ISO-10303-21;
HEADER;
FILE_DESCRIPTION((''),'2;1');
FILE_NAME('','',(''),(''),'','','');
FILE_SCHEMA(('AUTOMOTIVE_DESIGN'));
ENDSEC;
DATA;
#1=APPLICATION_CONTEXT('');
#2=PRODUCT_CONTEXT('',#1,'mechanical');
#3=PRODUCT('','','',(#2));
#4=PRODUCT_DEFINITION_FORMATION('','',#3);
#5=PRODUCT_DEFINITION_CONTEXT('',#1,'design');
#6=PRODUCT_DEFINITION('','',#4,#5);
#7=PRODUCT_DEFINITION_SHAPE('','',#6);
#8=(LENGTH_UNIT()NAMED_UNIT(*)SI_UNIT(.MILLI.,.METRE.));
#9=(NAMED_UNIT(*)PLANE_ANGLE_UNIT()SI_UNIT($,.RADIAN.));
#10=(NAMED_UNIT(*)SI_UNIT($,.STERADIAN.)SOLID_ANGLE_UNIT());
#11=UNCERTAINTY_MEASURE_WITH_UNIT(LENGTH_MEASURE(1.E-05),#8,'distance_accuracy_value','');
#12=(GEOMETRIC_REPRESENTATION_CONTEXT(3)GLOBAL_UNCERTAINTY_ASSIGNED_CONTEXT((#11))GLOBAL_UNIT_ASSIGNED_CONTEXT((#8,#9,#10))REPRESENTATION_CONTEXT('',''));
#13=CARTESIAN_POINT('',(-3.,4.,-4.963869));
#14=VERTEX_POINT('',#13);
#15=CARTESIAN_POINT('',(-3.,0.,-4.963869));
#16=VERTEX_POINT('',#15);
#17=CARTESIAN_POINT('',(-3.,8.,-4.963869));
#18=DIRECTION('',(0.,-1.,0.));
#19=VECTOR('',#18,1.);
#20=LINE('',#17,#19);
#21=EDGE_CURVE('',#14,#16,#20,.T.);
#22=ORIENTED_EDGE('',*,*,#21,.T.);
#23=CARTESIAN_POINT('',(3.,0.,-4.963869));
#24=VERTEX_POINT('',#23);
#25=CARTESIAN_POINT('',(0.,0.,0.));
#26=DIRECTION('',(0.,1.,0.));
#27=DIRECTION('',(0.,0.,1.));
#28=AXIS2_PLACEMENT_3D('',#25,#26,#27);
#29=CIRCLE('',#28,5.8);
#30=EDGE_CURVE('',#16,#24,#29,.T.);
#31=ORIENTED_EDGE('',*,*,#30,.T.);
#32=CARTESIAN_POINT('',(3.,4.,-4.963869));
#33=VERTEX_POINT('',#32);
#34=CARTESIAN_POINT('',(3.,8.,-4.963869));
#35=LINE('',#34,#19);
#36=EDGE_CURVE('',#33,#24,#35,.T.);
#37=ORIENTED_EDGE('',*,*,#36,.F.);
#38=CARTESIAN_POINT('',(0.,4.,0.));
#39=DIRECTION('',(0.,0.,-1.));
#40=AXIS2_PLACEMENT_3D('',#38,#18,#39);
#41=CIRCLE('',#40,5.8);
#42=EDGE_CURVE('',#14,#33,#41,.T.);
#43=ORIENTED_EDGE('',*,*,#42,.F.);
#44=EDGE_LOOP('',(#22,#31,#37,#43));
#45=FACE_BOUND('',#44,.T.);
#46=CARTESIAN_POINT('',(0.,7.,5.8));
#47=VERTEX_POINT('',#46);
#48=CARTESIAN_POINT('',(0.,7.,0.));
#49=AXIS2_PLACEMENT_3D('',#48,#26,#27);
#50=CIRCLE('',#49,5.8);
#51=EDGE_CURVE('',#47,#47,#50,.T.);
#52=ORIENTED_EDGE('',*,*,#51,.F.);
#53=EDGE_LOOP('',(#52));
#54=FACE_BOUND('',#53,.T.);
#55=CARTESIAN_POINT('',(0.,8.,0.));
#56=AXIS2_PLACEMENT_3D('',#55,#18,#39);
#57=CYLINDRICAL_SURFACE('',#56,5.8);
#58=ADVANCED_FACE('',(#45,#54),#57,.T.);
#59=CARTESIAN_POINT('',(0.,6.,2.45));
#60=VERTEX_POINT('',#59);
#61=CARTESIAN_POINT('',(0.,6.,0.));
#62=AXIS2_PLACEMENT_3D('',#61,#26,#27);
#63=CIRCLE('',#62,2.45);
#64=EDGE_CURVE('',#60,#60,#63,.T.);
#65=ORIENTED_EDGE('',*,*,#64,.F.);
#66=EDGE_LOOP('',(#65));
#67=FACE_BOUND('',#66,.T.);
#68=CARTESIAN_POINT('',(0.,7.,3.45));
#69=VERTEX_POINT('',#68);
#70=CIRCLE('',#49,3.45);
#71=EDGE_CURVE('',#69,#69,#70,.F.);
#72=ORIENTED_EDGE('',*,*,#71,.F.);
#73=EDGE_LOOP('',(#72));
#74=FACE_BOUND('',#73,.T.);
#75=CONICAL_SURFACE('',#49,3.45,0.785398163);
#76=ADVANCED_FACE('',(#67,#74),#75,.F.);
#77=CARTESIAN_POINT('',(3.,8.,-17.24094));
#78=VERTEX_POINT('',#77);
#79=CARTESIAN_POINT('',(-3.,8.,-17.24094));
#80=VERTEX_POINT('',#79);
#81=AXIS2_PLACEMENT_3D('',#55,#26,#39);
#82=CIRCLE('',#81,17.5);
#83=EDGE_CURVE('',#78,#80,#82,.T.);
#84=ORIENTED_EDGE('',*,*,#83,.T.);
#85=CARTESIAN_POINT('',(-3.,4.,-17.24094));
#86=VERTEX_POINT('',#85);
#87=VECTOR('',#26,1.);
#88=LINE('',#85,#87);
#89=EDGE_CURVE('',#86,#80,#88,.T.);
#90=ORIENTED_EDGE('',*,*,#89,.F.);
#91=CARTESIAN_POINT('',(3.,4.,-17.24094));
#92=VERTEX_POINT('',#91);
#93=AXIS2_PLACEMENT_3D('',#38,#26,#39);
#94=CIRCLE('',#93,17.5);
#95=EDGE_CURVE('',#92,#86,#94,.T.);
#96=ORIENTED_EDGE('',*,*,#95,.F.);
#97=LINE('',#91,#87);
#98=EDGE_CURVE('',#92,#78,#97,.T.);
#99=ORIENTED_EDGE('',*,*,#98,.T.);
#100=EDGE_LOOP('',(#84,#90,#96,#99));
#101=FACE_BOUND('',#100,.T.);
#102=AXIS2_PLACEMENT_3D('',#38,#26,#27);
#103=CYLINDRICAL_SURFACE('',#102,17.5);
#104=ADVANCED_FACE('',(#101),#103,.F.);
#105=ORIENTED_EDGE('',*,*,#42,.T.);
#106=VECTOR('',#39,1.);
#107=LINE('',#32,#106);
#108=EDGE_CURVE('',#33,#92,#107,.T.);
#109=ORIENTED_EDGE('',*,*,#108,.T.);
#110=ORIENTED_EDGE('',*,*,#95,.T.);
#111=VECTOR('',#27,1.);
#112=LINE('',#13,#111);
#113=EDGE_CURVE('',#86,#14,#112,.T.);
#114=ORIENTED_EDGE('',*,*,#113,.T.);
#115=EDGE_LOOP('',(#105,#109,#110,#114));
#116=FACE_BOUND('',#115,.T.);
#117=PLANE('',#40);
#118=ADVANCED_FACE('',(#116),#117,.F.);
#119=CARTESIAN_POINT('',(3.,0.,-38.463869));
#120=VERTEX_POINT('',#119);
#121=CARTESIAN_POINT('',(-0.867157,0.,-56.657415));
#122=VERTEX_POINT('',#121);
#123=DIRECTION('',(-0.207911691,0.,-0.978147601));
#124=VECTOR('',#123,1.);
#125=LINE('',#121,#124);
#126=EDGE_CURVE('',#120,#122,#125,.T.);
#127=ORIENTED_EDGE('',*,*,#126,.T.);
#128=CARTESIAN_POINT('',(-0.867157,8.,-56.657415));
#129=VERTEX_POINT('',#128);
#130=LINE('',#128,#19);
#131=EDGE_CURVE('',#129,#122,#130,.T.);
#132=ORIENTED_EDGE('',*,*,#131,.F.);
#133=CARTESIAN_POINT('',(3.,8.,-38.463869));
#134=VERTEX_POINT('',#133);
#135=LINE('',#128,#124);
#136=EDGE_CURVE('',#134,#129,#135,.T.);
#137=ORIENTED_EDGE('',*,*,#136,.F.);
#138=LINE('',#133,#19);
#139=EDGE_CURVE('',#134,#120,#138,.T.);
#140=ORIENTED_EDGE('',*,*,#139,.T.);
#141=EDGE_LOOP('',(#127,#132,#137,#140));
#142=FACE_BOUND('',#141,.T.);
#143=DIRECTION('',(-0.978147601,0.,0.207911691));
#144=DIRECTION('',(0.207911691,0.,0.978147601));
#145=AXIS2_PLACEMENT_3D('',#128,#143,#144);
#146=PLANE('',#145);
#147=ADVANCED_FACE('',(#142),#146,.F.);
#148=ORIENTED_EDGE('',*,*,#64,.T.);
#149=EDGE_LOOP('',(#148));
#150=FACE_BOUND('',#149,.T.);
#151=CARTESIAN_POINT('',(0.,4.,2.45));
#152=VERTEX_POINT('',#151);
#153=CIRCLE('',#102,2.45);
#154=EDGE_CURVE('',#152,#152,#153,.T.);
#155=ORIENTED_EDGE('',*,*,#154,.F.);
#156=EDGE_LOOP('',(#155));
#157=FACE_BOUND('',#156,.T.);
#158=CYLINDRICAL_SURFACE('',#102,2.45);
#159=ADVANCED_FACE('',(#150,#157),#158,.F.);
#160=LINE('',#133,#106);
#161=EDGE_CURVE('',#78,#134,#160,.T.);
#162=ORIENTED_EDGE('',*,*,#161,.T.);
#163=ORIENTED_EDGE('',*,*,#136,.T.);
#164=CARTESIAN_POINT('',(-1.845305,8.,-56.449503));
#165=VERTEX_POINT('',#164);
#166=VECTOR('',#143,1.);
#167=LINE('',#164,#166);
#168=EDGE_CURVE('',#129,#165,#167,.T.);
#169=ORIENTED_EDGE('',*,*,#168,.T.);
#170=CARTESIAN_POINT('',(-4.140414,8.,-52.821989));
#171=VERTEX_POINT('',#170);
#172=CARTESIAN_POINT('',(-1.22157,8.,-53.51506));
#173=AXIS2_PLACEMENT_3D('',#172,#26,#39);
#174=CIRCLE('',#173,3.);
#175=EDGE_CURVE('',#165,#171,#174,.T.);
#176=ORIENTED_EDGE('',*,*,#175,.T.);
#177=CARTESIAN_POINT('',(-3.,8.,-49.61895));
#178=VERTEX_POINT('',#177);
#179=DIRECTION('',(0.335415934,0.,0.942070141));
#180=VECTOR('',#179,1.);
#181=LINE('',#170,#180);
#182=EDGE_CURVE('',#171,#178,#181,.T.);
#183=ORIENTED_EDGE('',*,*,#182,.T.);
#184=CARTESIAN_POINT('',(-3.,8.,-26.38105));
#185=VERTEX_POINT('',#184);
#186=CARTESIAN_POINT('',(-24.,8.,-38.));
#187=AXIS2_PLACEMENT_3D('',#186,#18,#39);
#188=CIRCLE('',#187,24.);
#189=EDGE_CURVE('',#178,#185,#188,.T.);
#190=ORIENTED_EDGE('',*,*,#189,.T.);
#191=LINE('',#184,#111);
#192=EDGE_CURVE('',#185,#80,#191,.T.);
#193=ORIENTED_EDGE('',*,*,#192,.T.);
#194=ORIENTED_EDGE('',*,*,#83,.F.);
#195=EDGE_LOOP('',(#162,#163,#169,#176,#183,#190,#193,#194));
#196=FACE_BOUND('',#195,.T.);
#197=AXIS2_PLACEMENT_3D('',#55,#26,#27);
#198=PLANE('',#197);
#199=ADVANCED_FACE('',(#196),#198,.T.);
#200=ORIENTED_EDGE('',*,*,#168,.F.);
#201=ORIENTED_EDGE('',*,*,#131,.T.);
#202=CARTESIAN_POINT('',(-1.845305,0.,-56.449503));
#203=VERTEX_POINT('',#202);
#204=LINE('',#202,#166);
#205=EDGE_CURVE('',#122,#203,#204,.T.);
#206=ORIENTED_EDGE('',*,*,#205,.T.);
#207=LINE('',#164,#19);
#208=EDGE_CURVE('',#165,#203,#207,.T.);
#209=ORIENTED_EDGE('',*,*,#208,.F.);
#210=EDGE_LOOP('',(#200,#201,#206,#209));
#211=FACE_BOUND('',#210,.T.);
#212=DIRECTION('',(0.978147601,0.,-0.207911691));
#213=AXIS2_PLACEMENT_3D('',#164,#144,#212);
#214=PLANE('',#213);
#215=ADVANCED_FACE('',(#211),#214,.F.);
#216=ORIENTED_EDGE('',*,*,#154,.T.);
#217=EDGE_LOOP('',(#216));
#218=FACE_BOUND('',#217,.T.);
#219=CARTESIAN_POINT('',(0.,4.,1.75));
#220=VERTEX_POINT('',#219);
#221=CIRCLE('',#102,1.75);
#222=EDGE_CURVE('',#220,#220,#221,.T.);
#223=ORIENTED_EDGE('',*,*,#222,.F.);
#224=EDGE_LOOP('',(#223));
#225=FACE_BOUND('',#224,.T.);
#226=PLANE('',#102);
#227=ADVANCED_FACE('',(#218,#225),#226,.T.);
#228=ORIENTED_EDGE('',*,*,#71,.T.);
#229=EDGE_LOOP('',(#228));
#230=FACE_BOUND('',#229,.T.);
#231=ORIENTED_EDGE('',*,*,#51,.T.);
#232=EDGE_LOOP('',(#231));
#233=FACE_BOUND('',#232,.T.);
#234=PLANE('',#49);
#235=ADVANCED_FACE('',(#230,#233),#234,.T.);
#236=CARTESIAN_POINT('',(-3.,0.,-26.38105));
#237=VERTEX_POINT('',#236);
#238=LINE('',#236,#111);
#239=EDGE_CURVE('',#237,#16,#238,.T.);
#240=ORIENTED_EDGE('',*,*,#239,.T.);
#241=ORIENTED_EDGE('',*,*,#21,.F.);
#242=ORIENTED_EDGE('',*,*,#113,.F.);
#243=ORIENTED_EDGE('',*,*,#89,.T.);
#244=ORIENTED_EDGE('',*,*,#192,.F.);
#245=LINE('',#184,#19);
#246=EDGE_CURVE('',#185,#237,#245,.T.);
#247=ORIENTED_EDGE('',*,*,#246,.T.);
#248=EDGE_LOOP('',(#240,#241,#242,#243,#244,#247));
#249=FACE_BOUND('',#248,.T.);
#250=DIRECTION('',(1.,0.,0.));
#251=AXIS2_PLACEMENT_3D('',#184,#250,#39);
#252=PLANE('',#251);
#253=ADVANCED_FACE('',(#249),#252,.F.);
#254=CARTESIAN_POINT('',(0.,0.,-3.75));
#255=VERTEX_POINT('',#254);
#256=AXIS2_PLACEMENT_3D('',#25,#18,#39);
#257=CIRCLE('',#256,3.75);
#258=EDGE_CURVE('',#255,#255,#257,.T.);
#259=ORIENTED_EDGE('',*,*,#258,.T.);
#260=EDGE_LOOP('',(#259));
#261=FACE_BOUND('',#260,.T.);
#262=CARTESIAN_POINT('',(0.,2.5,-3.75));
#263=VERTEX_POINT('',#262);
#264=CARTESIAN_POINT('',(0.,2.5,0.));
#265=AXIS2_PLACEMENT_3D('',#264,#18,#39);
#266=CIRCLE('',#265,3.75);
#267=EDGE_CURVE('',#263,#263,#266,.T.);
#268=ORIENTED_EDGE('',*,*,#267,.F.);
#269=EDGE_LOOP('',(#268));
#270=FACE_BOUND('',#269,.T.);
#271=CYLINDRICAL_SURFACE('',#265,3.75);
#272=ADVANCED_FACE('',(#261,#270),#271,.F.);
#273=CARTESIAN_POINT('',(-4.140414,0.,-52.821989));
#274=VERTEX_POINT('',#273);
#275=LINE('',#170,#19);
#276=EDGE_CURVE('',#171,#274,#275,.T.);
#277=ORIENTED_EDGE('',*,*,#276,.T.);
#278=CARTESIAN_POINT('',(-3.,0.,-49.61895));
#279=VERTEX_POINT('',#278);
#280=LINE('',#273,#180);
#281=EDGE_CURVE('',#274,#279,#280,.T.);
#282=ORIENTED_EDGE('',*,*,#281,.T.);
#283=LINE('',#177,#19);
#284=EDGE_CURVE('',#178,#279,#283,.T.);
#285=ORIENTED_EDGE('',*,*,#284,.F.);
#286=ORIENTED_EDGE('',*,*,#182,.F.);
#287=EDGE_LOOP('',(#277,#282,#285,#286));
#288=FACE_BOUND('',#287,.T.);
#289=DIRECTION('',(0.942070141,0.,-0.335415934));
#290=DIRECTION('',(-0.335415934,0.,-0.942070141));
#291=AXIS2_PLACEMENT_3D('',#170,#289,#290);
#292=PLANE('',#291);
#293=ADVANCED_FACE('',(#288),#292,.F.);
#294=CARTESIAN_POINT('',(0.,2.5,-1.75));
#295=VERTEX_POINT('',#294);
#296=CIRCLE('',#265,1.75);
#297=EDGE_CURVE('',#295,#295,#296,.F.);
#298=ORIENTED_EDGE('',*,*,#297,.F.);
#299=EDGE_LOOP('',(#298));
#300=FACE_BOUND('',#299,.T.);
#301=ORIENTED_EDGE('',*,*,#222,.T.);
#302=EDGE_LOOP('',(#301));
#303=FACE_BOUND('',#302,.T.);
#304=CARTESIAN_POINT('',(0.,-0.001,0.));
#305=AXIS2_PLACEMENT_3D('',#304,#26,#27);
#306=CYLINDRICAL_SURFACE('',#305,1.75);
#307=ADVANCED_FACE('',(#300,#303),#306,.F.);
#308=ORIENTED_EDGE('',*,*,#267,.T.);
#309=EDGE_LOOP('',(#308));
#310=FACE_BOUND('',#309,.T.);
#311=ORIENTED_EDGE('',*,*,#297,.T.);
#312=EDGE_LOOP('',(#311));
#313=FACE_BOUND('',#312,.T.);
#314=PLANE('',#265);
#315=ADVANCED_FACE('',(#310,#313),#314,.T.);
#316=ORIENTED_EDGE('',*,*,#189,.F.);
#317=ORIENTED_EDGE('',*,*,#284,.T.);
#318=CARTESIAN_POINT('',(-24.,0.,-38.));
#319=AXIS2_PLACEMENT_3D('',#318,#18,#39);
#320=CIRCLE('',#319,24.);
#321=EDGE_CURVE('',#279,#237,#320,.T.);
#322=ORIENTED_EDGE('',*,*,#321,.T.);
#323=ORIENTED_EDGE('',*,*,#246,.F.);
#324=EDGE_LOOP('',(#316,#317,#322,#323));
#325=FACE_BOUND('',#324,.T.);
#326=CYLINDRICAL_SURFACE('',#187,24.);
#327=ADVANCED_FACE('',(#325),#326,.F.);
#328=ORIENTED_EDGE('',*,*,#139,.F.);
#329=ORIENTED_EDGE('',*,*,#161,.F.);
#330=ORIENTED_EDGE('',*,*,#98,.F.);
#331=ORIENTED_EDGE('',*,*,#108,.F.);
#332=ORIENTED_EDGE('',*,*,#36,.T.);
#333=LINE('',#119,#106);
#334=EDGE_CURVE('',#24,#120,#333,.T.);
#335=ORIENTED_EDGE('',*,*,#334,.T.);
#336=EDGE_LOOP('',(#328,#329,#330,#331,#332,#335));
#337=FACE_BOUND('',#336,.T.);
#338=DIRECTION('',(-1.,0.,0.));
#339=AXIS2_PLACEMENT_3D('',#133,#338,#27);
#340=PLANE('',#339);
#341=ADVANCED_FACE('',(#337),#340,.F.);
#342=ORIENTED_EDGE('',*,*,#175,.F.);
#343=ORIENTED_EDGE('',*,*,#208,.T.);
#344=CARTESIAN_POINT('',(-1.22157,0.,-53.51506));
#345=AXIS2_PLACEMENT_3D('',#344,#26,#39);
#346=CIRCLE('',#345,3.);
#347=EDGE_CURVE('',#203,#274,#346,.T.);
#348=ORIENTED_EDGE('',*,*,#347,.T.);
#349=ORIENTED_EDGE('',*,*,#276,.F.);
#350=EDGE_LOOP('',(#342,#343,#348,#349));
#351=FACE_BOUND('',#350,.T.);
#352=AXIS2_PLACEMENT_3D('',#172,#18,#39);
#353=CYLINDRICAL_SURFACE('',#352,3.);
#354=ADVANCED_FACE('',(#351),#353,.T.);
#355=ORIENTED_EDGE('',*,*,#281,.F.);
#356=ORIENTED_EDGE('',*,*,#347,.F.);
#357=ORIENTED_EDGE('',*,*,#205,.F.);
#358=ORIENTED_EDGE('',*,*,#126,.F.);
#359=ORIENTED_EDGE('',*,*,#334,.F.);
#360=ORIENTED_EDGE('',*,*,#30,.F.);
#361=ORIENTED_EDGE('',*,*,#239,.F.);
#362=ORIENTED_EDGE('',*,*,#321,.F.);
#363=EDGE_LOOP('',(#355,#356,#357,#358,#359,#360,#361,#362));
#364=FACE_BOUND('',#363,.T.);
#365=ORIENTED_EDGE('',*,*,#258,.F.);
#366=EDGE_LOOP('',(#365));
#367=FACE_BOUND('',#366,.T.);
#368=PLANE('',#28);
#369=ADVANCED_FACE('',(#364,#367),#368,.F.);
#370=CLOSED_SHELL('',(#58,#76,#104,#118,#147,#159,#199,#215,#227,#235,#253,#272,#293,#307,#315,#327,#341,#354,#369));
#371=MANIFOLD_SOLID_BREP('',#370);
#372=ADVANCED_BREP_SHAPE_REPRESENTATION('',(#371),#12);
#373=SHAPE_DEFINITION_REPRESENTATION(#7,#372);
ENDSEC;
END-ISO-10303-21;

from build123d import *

# Parameters (mm, degrees)
BOSS_EXTRU_1_DEPTH      = 8
ESQUISSE2_R             = 2.45
ENL_V_MAT_EXTRU_1_DEPTH = 4
ENL_V_MAT_EXTRU_2_REACH = 59.094
ESQUISSE3_R             = 1.75
ESQUISSE4_R             = 3.75
ENL_V_MAT_EXTRU_3_DEPTH = 2.5
ENL_V_MAT_EXTRU_4_DEPTH = 4
ESQUISSE7_R             = 5.8
ENL_V_MAT_EXTRU_5_DEPTH = 1
CHANFREIN1_SIZE         = 1


with BuildPart() as part:
    # Esquisse1 → Boss.-Extru.1 (new body)
    with BuildSketch(Plane(origin=(0, 0, 0), x_dir=(1, 0, 0), z_dir=(0, 1, 0))):
        with BuildLine():
            Line((-3, 26.381049961), (-3, 4.963869458))
            ThreePointArc((-3, 4.963869458), (0, -5.8), (3, 4.963869458))
            Line((3, 4.963869458), (3, 38.463869458))
            Line((3, 38.463869458), (-0.867157449, 56.657414832))
            Line((-0.867157449, 56.657414832), (-1.84530505, 56.449503141))
            ThreePointArc((-1.84530505, 56.449503141), (-3.756758837, 55.119060789), (-4.140414176, 52.821988519))
            Line((-4.140414176, 52.821988519), (-3, 49.618950039))
            ThreePointArc((-3, 49.618950039), (0, 38), (-3, 26.381049961))
        make_face()
    extrude(amount=BOSS_EXTRU_1_DEPTH)

    # Esquisse2 → Enlèv. mat.-Extru.1 (cut)
    with BuildSketch(Plane(origin=(0, 8, 0), x_dir=(1, 0, 0), z_dir=(0, 1, 0))):
        with Locations(Location((0, 0, 0), (0, 0, 270))):
            Circle(ESQUISSE2_R)
    extrude(amount=-ENL_V_MAT_EXTRU_1_DEPTH, mode=Mode.SUBTRACT)

    # Esquisse3 → Enlèv. mat.-Extru.2 (cut, up to next)
    with BuildSketch(Plane(origin=(0, 4, 0), x_dir=(1, 0, 0), z_dir=(0, 1, 0)), mode=Mode.PRIVATE) as enl_v_mat_extru_2_sk1:
        with Locations(Location((0, 0, 0), (0, 0, 270))):
            Circle(ESQUISSE3_R)
    enl_v_mat_extru_2_tool1 = extrude(enl_v_mat_extru_2_sk1.sketch, amount=-ENL_V_MAT_EXTRU_2_REACH, mode=Mode.PRIVATE) & part.part
    add(enl_v_mat_extru_2_tool1.solids().sort_by_distance((0, 4, 0))[0], mode=Mode.SUBTRACT)

    # Esquisse4 → Enlèv. mat.-Extru.3 (cut)
    with BuildSketch(Plane.XZ):
        with Locations(Location((0, 0, 0), (0, 0, 270))):
            Circle(ESQUISSE4_R)
    extrude(amount=-ENL_V_MAT_EXTRU_3_DEPTH, mode=Mode.SUBTRACT)

    # Esquisse5 → Enlèv. mat.-Extru.4 (cut)
    with BuildSketch(Plane(origin=(0, 8, 0), x_dir=(1, 0, 0), z_dir=(0, 1, 0))):
        with BuildLine():
            Line((-3, 4.963869458), (-3, 17.24093965))
            ThreePointArc((-3, 17.24093965), (0, 17.5), (3, 17.24093965))
            Line((3, 17.24093965), (3, 4.963869458))
            ThreePointArc((3, 4.963869458), (0, 5.8), (-3, 4.963869458))
        make_face()
    extrude(amount=-ENL_V_MAT_EXTRU_4_DEPTH, mode=Mode.SUBTRACT)

    # Esquisse7 → Enlèv. mat.-Extru.5 (cut)
    with BuildSketch(Plane(origin=(0, 8, 0), x_dir=(1, 0, 0), z_dir=(0, 1, 0))):
        with Locations(Location((0, 0, 0), (0, 0, 58.852610078))):
            Circle(ESQUISSE7_R)
    extrude(amount=-ENL_V_MAT_EXTRU_5_DEPTH, mode=Mode.SUBTRACT)

    # Chanfrein1
    chanfrein1_edges = [part.edges().sort_by_distance(p)[0] for p in [
        (0, 7, -2.45),
    ]]
    chamfer(chanfrein1_edges, length=CHANFREIN1_SIZE)


solid = part.part
